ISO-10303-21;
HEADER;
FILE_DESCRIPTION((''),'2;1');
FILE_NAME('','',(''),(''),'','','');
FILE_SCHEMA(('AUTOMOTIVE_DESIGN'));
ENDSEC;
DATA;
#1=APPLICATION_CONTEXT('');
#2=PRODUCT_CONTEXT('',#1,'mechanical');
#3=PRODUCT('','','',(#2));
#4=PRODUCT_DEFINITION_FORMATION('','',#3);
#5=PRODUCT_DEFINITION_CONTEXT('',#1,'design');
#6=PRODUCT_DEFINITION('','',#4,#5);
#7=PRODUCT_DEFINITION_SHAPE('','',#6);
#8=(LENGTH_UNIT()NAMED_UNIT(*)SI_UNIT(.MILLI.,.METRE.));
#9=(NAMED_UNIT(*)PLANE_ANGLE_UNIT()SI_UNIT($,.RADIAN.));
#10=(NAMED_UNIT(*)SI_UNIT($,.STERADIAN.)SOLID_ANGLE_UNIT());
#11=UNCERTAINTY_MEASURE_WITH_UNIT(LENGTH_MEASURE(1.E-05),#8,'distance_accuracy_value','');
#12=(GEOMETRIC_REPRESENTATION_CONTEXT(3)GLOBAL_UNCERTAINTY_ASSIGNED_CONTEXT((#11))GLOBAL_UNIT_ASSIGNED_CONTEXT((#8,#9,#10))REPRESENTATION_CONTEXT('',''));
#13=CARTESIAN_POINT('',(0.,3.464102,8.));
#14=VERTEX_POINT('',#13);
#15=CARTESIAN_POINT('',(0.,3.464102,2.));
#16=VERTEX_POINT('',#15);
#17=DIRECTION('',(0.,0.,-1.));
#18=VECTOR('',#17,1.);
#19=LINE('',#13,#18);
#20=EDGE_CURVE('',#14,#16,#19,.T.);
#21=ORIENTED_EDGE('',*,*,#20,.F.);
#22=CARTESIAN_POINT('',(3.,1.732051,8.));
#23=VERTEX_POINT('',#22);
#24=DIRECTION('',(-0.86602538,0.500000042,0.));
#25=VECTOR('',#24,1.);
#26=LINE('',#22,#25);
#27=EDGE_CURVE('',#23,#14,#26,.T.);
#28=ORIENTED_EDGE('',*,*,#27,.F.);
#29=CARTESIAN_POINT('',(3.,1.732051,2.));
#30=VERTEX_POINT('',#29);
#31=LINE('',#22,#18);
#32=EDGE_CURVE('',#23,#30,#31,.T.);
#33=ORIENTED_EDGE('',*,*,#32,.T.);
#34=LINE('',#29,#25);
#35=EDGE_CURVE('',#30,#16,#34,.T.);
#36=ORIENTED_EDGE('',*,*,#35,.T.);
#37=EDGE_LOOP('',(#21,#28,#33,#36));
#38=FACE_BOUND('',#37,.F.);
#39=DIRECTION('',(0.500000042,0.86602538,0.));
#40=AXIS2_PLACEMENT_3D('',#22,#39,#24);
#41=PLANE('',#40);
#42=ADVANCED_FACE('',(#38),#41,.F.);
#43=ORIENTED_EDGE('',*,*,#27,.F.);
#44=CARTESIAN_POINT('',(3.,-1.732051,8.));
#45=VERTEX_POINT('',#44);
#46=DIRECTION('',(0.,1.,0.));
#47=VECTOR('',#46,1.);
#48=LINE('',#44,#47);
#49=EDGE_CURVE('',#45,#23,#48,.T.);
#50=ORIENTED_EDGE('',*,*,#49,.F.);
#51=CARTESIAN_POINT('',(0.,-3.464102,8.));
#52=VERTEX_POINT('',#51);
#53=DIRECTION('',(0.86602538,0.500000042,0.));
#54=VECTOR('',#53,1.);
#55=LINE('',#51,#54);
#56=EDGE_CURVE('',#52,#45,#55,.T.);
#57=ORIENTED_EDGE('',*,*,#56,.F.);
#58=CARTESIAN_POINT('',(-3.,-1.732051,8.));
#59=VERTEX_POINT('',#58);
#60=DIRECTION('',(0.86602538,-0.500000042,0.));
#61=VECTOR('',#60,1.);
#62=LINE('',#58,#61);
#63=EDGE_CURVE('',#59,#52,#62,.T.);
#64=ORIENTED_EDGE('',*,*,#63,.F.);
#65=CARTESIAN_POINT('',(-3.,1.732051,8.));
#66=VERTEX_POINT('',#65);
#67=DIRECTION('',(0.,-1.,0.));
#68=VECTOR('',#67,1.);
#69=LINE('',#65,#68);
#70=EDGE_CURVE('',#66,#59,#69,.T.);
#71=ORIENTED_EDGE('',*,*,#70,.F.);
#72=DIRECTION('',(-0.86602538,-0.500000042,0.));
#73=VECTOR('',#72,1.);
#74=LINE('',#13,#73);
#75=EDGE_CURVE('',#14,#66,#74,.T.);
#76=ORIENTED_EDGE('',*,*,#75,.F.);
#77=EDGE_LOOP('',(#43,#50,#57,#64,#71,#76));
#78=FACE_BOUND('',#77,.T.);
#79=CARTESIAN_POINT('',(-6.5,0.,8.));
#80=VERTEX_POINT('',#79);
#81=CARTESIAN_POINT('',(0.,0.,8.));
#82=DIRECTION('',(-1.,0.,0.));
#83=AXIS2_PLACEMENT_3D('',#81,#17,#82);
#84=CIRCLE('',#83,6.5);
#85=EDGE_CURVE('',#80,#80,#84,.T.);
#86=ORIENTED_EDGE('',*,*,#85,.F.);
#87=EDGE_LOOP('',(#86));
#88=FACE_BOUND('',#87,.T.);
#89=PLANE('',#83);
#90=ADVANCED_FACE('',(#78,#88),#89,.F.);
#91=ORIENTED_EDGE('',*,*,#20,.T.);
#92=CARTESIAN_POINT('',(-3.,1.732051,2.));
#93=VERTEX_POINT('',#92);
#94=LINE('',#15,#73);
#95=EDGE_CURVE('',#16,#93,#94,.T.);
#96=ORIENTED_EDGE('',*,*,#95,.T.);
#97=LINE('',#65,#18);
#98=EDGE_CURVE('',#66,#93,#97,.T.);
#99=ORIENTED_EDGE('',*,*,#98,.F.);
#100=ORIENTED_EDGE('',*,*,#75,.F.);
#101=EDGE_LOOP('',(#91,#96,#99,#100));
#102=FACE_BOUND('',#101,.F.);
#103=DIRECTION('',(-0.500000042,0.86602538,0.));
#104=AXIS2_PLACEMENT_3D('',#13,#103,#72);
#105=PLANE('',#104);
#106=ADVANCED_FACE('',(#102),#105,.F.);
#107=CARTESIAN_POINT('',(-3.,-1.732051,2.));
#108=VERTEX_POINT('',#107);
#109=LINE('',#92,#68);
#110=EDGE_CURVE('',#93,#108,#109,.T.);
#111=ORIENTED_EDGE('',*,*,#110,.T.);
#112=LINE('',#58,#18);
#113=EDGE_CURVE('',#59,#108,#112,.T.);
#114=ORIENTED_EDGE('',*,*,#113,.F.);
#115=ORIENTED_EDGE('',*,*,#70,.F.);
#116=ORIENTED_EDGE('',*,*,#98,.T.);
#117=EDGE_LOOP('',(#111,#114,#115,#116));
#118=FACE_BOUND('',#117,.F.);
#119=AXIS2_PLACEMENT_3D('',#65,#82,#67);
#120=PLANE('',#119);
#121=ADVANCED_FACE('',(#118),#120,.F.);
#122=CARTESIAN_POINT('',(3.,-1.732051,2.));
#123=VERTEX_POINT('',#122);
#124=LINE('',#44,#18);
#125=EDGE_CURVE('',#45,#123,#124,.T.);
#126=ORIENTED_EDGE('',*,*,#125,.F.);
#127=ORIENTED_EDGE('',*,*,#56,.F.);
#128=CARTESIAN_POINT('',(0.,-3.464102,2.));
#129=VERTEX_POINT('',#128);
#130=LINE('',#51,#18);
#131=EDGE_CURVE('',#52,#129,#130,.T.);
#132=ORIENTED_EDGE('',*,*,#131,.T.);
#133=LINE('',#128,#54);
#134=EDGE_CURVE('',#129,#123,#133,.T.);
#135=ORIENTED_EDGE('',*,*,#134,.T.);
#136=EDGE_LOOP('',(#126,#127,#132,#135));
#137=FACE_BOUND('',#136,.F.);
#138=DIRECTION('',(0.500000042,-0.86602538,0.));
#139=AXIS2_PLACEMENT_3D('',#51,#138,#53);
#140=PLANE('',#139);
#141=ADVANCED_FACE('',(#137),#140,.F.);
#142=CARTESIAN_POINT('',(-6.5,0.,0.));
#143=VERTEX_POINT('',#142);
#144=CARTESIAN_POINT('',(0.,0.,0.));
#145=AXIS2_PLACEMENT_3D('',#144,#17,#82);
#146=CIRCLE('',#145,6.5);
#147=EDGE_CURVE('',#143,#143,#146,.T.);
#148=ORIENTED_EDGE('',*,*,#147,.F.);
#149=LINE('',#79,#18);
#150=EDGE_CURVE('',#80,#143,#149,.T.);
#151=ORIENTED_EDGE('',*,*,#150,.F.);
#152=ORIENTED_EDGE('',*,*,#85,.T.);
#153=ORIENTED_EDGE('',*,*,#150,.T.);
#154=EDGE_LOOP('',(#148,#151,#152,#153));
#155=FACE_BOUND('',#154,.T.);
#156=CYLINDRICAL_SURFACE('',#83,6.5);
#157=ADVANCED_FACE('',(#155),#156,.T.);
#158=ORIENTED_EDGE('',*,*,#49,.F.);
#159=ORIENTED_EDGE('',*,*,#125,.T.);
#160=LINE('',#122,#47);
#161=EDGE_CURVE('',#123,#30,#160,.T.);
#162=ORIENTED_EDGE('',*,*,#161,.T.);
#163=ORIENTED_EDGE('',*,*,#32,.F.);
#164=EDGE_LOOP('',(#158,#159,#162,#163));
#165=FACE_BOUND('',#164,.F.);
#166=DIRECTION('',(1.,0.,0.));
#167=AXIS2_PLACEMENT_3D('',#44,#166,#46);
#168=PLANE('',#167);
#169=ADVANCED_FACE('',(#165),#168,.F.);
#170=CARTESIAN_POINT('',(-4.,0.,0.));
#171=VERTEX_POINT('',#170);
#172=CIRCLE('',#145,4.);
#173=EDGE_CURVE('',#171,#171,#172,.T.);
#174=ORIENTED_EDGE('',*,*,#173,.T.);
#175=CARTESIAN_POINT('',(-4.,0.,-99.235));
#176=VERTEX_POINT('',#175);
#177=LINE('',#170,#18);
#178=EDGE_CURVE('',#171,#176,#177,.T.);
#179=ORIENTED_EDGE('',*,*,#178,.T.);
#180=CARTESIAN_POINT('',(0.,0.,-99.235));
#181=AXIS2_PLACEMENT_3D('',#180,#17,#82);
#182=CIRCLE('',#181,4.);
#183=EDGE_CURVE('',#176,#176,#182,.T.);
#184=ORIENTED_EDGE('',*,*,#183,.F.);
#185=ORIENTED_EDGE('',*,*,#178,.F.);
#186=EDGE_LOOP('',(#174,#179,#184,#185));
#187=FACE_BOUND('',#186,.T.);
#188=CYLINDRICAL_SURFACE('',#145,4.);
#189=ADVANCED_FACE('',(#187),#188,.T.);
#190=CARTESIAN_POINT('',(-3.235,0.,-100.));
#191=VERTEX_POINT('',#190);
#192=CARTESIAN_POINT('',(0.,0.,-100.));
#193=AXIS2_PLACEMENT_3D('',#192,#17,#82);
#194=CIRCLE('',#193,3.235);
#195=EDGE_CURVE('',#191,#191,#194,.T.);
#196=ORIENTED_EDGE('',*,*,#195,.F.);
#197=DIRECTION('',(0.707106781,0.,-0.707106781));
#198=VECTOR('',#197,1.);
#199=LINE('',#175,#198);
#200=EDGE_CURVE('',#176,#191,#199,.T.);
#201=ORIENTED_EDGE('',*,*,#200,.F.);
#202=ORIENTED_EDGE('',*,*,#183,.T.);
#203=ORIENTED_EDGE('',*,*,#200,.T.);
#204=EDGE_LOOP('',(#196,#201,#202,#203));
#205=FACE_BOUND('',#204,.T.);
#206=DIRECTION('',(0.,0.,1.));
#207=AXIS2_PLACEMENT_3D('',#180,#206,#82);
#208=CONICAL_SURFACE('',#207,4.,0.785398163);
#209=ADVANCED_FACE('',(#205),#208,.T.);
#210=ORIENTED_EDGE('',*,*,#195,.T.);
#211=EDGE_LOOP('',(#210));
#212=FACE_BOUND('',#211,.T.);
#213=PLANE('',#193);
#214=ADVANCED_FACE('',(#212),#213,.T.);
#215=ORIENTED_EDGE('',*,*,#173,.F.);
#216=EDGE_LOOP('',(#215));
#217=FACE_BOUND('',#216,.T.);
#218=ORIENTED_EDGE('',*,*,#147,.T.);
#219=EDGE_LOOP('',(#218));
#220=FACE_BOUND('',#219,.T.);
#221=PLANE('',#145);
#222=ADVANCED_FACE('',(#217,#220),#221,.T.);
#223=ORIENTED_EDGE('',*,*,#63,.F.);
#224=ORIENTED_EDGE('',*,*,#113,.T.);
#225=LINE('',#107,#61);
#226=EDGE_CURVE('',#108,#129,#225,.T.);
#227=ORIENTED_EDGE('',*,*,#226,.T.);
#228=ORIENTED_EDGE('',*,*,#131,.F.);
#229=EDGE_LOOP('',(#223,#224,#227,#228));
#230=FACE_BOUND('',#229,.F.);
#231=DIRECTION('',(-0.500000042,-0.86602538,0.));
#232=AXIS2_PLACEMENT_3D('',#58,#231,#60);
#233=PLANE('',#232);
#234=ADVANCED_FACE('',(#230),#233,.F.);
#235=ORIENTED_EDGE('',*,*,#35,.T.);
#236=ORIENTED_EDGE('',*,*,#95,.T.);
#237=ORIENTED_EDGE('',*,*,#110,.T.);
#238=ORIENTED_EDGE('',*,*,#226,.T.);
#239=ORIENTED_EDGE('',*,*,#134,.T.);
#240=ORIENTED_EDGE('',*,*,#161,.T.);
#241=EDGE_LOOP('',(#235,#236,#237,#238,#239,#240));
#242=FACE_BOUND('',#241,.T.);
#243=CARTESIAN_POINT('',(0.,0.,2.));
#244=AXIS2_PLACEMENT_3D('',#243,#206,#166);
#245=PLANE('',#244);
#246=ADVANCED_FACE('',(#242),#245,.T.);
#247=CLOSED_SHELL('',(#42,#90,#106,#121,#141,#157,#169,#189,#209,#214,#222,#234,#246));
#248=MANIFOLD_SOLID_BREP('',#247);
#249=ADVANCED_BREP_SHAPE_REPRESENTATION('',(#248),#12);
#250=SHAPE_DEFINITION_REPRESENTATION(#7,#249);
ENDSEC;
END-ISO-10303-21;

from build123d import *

# Parameters (mm, degrees)
F4_DEPTH      = 6
F4_DEPTH_BACK = 6


with BuildPart() as f1:
    # F0 (on Front) → F1 (revolve)
    with BuildSketch(Plane.XZ):
        Polygon((0, 8), (-6.5, 8), (-6.5, 0), (-4, 0), (-4, -99.235), (-3.235, -100), (0, -100), align=None)
    revolve(axis=Axis((0, 0, -46), (0, 0, -1)))

    # F3 (on offset) → F4 (cut, two sides)
    with BuildSketch(Plane.XY.offset(8)) as f4_sk:
        Polygon((3, -1.732051), (3, 1.732051), (0, 3.464102), (-3, 1.732051), (-3, -1.732051), (0, -3.464102), align=None)
    extrude(amount=-F4_DEPTH, mode=Mode.SUBTRACT)
    extrude(f4_sk.sketch, amount=-F4_DEPTH_BACK, mode=Mode.SUBTRACT)


solid = f1.part
